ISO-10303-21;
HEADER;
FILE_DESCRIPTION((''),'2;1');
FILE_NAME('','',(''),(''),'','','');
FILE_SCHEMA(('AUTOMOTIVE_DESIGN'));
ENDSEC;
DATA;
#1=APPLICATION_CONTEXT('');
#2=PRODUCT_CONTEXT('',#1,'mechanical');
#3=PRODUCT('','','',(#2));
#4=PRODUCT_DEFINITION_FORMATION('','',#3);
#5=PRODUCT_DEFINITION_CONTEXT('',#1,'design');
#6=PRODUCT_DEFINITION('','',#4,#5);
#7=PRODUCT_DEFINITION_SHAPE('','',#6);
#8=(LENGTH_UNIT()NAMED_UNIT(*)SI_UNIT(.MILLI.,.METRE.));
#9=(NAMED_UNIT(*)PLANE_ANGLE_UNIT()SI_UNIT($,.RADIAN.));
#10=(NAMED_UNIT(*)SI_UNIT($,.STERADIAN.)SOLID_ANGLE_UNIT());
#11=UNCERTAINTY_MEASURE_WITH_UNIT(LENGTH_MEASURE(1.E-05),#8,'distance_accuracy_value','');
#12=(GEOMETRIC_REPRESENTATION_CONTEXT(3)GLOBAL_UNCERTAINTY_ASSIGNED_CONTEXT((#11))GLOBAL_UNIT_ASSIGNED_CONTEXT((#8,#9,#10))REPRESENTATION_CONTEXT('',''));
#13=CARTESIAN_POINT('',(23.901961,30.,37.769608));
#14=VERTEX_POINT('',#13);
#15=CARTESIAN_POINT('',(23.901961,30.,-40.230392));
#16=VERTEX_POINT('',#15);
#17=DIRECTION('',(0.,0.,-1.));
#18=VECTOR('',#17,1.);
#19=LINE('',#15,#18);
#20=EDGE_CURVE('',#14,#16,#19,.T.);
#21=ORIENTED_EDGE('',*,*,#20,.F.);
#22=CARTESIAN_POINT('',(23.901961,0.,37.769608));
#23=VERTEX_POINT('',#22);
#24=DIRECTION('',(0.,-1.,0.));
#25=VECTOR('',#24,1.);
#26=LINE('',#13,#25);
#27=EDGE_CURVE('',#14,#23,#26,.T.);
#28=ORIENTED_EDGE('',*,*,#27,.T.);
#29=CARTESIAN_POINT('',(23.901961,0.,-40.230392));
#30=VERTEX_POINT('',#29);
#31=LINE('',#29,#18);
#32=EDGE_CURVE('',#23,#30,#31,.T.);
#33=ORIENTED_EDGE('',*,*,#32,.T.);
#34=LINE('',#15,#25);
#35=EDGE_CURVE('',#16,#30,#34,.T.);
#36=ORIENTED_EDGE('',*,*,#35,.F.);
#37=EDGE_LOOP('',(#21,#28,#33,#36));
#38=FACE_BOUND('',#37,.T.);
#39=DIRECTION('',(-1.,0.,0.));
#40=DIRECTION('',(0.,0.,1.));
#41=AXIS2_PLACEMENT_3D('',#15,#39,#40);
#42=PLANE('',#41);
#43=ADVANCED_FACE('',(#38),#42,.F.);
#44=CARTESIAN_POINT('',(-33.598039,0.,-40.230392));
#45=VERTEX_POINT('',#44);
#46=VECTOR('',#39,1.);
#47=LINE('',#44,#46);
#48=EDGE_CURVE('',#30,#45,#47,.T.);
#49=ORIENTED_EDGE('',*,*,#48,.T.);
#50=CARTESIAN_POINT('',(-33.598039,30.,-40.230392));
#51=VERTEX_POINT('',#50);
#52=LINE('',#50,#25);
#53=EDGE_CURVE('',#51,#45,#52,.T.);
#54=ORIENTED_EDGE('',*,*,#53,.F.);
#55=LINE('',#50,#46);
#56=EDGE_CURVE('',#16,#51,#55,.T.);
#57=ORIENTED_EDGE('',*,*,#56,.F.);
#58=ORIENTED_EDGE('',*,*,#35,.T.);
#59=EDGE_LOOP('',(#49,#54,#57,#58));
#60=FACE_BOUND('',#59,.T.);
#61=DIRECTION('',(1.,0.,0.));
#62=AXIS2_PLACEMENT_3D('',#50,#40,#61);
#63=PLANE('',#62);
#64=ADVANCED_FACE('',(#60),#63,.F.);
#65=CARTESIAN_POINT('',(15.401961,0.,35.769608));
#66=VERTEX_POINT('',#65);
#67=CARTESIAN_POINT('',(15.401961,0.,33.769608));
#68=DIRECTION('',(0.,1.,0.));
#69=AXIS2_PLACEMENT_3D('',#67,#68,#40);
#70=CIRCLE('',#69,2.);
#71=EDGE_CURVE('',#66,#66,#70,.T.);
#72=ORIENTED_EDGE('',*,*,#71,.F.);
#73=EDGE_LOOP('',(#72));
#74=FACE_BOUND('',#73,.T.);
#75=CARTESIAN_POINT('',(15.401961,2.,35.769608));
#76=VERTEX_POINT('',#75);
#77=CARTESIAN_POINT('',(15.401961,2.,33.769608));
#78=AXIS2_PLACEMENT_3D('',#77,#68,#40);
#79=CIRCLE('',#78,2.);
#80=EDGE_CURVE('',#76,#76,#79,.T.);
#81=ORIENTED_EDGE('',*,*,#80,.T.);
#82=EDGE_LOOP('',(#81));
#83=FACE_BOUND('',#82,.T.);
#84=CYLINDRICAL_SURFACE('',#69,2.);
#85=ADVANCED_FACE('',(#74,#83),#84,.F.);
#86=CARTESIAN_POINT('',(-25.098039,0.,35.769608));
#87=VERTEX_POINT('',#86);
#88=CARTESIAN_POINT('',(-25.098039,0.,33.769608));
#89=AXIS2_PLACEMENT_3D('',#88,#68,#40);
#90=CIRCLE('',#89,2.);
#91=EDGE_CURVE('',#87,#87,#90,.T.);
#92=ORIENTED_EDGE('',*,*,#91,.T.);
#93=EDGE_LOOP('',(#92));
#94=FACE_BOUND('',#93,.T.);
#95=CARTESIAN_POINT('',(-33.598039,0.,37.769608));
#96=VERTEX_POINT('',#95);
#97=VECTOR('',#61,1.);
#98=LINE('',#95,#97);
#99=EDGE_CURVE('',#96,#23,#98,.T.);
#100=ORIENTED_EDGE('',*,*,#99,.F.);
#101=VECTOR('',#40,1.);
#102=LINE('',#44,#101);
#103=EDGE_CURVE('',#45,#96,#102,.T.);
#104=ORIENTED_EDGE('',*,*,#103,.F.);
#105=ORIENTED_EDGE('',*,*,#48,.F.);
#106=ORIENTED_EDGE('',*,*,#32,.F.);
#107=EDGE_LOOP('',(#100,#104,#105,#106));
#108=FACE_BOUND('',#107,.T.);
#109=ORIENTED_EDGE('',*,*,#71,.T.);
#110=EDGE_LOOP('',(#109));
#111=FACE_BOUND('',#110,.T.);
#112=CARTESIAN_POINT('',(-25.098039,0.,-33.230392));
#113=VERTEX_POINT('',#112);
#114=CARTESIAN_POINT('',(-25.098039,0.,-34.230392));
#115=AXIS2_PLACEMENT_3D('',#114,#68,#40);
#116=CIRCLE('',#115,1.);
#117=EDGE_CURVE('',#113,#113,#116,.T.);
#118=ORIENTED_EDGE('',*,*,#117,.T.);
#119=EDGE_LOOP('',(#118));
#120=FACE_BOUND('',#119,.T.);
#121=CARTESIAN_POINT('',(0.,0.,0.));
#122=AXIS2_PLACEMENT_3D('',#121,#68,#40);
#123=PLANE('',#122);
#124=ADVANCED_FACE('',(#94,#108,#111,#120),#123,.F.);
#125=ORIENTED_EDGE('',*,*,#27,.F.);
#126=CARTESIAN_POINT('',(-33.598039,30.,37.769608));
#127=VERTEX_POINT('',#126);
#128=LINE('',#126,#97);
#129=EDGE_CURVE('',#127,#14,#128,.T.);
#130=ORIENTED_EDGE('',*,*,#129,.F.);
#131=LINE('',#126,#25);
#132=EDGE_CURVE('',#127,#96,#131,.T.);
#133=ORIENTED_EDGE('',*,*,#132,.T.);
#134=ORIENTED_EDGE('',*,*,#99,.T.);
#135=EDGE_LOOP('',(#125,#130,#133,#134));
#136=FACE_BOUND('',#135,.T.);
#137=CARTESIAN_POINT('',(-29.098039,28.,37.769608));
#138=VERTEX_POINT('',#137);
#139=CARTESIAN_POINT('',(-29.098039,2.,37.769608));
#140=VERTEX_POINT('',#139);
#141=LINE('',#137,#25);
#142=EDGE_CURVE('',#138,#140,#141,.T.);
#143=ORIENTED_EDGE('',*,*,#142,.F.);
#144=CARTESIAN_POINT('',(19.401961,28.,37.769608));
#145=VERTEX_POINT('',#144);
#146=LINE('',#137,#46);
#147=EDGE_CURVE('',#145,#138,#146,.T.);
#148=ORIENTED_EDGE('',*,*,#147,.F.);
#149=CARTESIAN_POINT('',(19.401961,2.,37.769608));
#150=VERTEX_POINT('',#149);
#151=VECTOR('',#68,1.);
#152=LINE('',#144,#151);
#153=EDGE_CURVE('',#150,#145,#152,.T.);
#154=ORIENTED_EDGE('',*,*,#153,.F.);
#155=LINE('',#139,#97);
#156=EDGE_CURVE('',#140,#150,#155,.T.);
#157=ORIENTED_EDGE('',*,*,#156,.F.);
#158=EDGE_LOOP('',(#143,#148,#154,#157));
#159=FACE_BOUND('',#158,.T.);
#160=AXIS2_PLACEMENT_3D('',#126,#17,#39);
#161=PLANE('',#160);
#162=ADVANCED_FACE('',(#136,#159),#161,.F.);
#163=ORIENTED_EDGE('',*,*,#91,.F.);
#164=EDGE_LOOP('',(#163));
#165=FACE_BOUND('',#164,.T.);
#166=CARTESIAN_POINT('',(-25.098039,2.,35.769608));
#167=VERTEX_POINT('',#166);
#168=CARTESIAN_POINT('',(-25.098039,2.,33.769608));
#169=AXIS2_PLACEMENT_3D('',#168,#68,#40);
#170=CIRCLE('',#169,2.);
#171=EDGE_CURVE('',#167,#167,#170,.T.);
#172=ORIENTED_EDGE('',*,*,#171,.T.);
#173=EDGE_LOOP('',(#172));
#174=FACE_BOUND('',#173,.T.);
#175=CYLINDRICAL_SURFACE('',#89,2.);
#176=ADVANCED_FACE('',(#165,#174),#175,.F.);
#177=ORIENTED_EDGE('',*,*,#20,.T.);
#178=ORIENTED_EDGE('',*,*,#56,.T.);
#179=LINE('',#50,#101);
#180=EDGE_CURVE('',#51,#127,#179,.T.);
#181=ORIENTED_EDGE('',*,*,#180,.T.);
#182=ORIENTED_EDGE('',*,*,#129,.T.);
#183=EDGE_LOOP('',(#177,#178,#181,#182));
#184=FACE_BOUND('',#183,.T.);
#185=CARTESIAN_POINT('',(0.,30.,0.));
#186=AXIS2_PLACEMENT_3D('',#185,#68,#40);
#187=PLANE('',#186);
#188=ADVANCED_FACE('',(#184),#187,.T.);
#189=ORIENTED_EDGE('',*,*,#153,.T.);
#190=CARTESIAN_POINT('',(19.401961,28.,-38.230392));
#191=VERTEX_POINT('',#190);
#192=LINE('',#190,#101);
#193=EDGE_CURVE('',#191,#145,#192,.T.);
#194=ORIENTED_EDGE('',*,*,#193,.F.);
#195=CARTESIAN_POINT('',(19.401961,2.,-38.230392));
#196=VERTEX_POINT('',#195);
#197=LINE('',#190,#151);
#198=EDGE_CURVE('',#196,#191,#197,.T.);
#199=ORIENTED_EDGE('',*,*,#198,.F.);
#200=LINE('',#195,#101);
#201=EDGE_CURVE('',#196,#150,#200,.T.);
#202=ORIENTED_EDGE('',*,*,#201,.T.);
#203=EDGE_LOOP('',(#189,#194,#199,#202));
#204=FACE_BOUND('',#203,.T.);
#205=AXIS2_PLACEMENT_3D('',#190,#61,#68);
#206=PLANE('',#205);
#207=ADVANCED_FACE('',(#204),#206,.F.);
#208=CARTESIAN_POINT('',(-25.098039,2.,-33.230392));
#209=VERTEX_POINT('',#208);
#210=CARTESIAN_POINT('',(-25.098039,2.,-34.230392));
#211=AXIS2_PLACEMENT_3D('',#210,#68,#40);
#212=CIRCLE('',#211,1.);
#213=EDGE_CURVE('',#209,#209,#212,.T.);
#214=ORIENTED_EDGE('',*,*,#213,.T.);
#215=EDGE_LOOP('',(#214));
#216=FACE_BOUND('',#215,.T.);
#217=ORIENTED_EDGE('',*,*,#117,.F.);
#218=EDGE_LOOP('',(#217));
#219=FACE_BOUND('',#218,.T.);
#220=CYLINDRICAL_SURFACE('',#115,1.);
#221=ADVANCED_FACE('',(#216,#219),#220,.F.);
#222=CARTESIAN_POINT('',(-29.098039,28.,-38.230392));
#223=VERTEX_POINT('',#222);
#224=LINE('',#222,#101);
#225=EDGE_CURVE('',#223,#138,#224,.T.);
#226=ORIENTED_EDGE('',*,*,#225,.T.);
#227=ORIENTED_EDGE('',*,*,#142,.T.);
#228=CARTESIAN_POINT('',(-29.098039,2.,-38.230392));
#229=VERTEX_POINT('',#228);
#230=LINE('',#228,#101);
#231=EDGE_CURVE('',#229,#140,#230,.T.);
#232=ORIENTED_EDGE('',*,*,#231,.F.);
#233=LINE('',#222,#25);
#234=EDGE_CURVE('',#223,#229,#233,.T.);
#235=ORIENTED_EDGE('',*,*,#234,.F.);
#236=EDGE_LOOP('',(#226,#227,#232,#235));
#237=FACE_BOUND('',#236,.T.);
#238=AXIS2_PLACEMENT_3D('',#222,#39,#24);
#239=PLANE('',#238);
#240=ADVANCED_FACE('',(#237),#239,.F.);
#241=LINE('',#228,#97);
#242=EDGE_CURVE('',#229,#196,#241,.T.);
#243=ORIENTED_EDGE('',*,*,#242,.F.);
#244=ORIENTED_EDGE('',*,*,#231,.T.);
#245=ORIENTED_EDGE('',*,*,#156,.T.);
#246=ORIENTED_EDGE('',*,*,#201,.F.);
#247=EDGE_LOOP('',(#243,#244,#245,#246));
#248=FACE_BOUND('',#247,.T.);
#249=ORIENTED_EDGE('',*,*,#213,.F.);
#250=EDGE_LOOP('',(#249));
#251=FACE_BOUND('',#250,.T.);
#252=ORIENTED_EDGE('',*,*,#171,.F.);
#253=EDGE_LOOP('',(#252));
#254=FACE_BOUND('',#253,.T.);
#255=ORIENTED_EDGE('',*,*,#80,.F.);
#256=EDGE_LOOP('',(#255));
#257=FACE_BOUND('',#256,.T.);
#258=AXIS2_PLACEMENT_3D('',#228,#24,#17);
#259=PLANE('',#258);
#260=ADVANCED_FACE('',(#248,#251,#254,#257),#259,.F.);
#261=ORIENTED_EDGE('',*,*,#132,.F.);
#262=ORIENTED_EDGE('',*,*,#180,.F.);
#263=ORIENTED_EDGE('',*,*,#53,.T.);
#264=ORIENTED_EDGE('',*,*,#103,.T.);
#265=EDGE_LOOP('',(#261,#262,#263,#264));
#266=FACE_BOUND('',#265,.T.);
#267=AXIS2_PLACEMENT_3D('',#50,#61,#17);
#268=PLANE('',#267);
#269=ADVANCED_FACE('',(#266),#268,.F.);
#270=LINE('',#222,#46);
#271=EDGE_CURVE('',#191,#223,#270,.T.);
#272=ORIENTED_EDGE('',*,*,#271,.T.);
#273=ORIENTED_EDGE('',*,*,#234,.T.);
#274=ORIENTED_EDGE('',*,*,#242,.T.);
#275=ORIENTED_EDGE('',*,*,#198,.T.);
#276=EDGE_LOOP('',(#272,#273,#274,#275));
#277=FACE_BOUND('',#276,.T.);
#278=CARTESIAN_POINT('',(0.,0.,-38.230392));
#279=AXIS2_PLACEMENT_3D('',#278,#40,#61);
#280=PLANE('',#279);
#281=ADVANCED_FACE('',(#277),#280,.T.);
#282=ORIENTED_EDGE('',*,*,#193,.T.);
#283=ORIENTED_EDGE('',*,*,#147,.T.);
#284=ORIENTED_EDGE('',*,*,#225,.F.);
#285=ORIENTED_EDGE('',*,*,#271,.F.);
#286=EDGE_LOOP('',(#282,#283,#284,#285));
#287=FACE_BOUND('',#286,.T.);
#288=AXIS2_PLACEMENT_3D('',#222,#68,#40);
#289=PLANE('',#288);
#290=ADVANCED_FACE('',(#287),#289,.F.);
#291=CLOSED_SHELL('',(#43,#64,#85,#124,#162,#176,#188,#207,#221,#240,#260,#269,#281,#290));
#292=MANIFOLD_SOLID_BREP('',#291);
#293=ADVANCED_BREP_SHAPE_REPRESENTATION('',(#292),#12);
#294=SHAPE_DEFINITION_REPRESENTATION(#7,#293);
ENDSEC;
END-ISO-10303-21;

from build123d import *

# Parameters (mm, degrees)
SKETCH1_W           = 57.5
SKETCH1_H           = 78
BOSS_EXTRUDE1_DEPTH = 30
SKETCH2_W           = 48.5
SKETCH2_H           = 26
CUT_EXTRUDE1_DEPTH  = 76
SKETCH3_R           = 2
SKETCH3_R_2         = 1
CUT_EXTRUDE2_DEPTH  = 60.424849114


with BuildPart() as part:
    # Sketch1 → Boss-Extrude1 (new body)
    with BuildSketch(Plane(origin=(0, 0, 0), x_dir=(1, 0, 0), z_dir=(0, 1, 0))):
        with Locations((-4.848039216, 1.230392157)):
            Rectangle(SKETCH1_W, SKETCH1_H)
    extrude(amount=BOSS_EXTRUDE1_DEPTH)

    # Sketch2 → Cut-Extrude1 (cut)
    with BuildSketch(Plane.XY.offset(37.769607843)):
        with Locations((-4.848039216, 15)):
            Rectangle(SKETCH2_W, SKETCH2_H)
    extrude(amount=-CUT_EXTRUDE1_DEPTH, mode=Mode.SUBTRACT)

    # Sketch3 → Cut-Extrude2 (cut, through all)
    with BuildSketch(Plane(origin=(0, 2, 0), x_dir=(1, 0, 0), z_dir=(0, 1, 0))):
        with Locations(Location((15.401960784, -33.769607843, 0), (0, 0, 270))):
            Circle(SKETCH3_R)
        with Locations(Location((-25.098039216, 34.230392157, 0), (0, 0, 270))):
            Circle(SKETCH3_R_2)
        with Locations(Location((-25.098039216, -33.769607843, 0), (0, 0, 270))):
            Circle(SKETCH3_R)
    extrude(amount=-CUT_EXTRUDE2_DEPTH, mode=Mode.SUBTRACT)


solid = part.part
